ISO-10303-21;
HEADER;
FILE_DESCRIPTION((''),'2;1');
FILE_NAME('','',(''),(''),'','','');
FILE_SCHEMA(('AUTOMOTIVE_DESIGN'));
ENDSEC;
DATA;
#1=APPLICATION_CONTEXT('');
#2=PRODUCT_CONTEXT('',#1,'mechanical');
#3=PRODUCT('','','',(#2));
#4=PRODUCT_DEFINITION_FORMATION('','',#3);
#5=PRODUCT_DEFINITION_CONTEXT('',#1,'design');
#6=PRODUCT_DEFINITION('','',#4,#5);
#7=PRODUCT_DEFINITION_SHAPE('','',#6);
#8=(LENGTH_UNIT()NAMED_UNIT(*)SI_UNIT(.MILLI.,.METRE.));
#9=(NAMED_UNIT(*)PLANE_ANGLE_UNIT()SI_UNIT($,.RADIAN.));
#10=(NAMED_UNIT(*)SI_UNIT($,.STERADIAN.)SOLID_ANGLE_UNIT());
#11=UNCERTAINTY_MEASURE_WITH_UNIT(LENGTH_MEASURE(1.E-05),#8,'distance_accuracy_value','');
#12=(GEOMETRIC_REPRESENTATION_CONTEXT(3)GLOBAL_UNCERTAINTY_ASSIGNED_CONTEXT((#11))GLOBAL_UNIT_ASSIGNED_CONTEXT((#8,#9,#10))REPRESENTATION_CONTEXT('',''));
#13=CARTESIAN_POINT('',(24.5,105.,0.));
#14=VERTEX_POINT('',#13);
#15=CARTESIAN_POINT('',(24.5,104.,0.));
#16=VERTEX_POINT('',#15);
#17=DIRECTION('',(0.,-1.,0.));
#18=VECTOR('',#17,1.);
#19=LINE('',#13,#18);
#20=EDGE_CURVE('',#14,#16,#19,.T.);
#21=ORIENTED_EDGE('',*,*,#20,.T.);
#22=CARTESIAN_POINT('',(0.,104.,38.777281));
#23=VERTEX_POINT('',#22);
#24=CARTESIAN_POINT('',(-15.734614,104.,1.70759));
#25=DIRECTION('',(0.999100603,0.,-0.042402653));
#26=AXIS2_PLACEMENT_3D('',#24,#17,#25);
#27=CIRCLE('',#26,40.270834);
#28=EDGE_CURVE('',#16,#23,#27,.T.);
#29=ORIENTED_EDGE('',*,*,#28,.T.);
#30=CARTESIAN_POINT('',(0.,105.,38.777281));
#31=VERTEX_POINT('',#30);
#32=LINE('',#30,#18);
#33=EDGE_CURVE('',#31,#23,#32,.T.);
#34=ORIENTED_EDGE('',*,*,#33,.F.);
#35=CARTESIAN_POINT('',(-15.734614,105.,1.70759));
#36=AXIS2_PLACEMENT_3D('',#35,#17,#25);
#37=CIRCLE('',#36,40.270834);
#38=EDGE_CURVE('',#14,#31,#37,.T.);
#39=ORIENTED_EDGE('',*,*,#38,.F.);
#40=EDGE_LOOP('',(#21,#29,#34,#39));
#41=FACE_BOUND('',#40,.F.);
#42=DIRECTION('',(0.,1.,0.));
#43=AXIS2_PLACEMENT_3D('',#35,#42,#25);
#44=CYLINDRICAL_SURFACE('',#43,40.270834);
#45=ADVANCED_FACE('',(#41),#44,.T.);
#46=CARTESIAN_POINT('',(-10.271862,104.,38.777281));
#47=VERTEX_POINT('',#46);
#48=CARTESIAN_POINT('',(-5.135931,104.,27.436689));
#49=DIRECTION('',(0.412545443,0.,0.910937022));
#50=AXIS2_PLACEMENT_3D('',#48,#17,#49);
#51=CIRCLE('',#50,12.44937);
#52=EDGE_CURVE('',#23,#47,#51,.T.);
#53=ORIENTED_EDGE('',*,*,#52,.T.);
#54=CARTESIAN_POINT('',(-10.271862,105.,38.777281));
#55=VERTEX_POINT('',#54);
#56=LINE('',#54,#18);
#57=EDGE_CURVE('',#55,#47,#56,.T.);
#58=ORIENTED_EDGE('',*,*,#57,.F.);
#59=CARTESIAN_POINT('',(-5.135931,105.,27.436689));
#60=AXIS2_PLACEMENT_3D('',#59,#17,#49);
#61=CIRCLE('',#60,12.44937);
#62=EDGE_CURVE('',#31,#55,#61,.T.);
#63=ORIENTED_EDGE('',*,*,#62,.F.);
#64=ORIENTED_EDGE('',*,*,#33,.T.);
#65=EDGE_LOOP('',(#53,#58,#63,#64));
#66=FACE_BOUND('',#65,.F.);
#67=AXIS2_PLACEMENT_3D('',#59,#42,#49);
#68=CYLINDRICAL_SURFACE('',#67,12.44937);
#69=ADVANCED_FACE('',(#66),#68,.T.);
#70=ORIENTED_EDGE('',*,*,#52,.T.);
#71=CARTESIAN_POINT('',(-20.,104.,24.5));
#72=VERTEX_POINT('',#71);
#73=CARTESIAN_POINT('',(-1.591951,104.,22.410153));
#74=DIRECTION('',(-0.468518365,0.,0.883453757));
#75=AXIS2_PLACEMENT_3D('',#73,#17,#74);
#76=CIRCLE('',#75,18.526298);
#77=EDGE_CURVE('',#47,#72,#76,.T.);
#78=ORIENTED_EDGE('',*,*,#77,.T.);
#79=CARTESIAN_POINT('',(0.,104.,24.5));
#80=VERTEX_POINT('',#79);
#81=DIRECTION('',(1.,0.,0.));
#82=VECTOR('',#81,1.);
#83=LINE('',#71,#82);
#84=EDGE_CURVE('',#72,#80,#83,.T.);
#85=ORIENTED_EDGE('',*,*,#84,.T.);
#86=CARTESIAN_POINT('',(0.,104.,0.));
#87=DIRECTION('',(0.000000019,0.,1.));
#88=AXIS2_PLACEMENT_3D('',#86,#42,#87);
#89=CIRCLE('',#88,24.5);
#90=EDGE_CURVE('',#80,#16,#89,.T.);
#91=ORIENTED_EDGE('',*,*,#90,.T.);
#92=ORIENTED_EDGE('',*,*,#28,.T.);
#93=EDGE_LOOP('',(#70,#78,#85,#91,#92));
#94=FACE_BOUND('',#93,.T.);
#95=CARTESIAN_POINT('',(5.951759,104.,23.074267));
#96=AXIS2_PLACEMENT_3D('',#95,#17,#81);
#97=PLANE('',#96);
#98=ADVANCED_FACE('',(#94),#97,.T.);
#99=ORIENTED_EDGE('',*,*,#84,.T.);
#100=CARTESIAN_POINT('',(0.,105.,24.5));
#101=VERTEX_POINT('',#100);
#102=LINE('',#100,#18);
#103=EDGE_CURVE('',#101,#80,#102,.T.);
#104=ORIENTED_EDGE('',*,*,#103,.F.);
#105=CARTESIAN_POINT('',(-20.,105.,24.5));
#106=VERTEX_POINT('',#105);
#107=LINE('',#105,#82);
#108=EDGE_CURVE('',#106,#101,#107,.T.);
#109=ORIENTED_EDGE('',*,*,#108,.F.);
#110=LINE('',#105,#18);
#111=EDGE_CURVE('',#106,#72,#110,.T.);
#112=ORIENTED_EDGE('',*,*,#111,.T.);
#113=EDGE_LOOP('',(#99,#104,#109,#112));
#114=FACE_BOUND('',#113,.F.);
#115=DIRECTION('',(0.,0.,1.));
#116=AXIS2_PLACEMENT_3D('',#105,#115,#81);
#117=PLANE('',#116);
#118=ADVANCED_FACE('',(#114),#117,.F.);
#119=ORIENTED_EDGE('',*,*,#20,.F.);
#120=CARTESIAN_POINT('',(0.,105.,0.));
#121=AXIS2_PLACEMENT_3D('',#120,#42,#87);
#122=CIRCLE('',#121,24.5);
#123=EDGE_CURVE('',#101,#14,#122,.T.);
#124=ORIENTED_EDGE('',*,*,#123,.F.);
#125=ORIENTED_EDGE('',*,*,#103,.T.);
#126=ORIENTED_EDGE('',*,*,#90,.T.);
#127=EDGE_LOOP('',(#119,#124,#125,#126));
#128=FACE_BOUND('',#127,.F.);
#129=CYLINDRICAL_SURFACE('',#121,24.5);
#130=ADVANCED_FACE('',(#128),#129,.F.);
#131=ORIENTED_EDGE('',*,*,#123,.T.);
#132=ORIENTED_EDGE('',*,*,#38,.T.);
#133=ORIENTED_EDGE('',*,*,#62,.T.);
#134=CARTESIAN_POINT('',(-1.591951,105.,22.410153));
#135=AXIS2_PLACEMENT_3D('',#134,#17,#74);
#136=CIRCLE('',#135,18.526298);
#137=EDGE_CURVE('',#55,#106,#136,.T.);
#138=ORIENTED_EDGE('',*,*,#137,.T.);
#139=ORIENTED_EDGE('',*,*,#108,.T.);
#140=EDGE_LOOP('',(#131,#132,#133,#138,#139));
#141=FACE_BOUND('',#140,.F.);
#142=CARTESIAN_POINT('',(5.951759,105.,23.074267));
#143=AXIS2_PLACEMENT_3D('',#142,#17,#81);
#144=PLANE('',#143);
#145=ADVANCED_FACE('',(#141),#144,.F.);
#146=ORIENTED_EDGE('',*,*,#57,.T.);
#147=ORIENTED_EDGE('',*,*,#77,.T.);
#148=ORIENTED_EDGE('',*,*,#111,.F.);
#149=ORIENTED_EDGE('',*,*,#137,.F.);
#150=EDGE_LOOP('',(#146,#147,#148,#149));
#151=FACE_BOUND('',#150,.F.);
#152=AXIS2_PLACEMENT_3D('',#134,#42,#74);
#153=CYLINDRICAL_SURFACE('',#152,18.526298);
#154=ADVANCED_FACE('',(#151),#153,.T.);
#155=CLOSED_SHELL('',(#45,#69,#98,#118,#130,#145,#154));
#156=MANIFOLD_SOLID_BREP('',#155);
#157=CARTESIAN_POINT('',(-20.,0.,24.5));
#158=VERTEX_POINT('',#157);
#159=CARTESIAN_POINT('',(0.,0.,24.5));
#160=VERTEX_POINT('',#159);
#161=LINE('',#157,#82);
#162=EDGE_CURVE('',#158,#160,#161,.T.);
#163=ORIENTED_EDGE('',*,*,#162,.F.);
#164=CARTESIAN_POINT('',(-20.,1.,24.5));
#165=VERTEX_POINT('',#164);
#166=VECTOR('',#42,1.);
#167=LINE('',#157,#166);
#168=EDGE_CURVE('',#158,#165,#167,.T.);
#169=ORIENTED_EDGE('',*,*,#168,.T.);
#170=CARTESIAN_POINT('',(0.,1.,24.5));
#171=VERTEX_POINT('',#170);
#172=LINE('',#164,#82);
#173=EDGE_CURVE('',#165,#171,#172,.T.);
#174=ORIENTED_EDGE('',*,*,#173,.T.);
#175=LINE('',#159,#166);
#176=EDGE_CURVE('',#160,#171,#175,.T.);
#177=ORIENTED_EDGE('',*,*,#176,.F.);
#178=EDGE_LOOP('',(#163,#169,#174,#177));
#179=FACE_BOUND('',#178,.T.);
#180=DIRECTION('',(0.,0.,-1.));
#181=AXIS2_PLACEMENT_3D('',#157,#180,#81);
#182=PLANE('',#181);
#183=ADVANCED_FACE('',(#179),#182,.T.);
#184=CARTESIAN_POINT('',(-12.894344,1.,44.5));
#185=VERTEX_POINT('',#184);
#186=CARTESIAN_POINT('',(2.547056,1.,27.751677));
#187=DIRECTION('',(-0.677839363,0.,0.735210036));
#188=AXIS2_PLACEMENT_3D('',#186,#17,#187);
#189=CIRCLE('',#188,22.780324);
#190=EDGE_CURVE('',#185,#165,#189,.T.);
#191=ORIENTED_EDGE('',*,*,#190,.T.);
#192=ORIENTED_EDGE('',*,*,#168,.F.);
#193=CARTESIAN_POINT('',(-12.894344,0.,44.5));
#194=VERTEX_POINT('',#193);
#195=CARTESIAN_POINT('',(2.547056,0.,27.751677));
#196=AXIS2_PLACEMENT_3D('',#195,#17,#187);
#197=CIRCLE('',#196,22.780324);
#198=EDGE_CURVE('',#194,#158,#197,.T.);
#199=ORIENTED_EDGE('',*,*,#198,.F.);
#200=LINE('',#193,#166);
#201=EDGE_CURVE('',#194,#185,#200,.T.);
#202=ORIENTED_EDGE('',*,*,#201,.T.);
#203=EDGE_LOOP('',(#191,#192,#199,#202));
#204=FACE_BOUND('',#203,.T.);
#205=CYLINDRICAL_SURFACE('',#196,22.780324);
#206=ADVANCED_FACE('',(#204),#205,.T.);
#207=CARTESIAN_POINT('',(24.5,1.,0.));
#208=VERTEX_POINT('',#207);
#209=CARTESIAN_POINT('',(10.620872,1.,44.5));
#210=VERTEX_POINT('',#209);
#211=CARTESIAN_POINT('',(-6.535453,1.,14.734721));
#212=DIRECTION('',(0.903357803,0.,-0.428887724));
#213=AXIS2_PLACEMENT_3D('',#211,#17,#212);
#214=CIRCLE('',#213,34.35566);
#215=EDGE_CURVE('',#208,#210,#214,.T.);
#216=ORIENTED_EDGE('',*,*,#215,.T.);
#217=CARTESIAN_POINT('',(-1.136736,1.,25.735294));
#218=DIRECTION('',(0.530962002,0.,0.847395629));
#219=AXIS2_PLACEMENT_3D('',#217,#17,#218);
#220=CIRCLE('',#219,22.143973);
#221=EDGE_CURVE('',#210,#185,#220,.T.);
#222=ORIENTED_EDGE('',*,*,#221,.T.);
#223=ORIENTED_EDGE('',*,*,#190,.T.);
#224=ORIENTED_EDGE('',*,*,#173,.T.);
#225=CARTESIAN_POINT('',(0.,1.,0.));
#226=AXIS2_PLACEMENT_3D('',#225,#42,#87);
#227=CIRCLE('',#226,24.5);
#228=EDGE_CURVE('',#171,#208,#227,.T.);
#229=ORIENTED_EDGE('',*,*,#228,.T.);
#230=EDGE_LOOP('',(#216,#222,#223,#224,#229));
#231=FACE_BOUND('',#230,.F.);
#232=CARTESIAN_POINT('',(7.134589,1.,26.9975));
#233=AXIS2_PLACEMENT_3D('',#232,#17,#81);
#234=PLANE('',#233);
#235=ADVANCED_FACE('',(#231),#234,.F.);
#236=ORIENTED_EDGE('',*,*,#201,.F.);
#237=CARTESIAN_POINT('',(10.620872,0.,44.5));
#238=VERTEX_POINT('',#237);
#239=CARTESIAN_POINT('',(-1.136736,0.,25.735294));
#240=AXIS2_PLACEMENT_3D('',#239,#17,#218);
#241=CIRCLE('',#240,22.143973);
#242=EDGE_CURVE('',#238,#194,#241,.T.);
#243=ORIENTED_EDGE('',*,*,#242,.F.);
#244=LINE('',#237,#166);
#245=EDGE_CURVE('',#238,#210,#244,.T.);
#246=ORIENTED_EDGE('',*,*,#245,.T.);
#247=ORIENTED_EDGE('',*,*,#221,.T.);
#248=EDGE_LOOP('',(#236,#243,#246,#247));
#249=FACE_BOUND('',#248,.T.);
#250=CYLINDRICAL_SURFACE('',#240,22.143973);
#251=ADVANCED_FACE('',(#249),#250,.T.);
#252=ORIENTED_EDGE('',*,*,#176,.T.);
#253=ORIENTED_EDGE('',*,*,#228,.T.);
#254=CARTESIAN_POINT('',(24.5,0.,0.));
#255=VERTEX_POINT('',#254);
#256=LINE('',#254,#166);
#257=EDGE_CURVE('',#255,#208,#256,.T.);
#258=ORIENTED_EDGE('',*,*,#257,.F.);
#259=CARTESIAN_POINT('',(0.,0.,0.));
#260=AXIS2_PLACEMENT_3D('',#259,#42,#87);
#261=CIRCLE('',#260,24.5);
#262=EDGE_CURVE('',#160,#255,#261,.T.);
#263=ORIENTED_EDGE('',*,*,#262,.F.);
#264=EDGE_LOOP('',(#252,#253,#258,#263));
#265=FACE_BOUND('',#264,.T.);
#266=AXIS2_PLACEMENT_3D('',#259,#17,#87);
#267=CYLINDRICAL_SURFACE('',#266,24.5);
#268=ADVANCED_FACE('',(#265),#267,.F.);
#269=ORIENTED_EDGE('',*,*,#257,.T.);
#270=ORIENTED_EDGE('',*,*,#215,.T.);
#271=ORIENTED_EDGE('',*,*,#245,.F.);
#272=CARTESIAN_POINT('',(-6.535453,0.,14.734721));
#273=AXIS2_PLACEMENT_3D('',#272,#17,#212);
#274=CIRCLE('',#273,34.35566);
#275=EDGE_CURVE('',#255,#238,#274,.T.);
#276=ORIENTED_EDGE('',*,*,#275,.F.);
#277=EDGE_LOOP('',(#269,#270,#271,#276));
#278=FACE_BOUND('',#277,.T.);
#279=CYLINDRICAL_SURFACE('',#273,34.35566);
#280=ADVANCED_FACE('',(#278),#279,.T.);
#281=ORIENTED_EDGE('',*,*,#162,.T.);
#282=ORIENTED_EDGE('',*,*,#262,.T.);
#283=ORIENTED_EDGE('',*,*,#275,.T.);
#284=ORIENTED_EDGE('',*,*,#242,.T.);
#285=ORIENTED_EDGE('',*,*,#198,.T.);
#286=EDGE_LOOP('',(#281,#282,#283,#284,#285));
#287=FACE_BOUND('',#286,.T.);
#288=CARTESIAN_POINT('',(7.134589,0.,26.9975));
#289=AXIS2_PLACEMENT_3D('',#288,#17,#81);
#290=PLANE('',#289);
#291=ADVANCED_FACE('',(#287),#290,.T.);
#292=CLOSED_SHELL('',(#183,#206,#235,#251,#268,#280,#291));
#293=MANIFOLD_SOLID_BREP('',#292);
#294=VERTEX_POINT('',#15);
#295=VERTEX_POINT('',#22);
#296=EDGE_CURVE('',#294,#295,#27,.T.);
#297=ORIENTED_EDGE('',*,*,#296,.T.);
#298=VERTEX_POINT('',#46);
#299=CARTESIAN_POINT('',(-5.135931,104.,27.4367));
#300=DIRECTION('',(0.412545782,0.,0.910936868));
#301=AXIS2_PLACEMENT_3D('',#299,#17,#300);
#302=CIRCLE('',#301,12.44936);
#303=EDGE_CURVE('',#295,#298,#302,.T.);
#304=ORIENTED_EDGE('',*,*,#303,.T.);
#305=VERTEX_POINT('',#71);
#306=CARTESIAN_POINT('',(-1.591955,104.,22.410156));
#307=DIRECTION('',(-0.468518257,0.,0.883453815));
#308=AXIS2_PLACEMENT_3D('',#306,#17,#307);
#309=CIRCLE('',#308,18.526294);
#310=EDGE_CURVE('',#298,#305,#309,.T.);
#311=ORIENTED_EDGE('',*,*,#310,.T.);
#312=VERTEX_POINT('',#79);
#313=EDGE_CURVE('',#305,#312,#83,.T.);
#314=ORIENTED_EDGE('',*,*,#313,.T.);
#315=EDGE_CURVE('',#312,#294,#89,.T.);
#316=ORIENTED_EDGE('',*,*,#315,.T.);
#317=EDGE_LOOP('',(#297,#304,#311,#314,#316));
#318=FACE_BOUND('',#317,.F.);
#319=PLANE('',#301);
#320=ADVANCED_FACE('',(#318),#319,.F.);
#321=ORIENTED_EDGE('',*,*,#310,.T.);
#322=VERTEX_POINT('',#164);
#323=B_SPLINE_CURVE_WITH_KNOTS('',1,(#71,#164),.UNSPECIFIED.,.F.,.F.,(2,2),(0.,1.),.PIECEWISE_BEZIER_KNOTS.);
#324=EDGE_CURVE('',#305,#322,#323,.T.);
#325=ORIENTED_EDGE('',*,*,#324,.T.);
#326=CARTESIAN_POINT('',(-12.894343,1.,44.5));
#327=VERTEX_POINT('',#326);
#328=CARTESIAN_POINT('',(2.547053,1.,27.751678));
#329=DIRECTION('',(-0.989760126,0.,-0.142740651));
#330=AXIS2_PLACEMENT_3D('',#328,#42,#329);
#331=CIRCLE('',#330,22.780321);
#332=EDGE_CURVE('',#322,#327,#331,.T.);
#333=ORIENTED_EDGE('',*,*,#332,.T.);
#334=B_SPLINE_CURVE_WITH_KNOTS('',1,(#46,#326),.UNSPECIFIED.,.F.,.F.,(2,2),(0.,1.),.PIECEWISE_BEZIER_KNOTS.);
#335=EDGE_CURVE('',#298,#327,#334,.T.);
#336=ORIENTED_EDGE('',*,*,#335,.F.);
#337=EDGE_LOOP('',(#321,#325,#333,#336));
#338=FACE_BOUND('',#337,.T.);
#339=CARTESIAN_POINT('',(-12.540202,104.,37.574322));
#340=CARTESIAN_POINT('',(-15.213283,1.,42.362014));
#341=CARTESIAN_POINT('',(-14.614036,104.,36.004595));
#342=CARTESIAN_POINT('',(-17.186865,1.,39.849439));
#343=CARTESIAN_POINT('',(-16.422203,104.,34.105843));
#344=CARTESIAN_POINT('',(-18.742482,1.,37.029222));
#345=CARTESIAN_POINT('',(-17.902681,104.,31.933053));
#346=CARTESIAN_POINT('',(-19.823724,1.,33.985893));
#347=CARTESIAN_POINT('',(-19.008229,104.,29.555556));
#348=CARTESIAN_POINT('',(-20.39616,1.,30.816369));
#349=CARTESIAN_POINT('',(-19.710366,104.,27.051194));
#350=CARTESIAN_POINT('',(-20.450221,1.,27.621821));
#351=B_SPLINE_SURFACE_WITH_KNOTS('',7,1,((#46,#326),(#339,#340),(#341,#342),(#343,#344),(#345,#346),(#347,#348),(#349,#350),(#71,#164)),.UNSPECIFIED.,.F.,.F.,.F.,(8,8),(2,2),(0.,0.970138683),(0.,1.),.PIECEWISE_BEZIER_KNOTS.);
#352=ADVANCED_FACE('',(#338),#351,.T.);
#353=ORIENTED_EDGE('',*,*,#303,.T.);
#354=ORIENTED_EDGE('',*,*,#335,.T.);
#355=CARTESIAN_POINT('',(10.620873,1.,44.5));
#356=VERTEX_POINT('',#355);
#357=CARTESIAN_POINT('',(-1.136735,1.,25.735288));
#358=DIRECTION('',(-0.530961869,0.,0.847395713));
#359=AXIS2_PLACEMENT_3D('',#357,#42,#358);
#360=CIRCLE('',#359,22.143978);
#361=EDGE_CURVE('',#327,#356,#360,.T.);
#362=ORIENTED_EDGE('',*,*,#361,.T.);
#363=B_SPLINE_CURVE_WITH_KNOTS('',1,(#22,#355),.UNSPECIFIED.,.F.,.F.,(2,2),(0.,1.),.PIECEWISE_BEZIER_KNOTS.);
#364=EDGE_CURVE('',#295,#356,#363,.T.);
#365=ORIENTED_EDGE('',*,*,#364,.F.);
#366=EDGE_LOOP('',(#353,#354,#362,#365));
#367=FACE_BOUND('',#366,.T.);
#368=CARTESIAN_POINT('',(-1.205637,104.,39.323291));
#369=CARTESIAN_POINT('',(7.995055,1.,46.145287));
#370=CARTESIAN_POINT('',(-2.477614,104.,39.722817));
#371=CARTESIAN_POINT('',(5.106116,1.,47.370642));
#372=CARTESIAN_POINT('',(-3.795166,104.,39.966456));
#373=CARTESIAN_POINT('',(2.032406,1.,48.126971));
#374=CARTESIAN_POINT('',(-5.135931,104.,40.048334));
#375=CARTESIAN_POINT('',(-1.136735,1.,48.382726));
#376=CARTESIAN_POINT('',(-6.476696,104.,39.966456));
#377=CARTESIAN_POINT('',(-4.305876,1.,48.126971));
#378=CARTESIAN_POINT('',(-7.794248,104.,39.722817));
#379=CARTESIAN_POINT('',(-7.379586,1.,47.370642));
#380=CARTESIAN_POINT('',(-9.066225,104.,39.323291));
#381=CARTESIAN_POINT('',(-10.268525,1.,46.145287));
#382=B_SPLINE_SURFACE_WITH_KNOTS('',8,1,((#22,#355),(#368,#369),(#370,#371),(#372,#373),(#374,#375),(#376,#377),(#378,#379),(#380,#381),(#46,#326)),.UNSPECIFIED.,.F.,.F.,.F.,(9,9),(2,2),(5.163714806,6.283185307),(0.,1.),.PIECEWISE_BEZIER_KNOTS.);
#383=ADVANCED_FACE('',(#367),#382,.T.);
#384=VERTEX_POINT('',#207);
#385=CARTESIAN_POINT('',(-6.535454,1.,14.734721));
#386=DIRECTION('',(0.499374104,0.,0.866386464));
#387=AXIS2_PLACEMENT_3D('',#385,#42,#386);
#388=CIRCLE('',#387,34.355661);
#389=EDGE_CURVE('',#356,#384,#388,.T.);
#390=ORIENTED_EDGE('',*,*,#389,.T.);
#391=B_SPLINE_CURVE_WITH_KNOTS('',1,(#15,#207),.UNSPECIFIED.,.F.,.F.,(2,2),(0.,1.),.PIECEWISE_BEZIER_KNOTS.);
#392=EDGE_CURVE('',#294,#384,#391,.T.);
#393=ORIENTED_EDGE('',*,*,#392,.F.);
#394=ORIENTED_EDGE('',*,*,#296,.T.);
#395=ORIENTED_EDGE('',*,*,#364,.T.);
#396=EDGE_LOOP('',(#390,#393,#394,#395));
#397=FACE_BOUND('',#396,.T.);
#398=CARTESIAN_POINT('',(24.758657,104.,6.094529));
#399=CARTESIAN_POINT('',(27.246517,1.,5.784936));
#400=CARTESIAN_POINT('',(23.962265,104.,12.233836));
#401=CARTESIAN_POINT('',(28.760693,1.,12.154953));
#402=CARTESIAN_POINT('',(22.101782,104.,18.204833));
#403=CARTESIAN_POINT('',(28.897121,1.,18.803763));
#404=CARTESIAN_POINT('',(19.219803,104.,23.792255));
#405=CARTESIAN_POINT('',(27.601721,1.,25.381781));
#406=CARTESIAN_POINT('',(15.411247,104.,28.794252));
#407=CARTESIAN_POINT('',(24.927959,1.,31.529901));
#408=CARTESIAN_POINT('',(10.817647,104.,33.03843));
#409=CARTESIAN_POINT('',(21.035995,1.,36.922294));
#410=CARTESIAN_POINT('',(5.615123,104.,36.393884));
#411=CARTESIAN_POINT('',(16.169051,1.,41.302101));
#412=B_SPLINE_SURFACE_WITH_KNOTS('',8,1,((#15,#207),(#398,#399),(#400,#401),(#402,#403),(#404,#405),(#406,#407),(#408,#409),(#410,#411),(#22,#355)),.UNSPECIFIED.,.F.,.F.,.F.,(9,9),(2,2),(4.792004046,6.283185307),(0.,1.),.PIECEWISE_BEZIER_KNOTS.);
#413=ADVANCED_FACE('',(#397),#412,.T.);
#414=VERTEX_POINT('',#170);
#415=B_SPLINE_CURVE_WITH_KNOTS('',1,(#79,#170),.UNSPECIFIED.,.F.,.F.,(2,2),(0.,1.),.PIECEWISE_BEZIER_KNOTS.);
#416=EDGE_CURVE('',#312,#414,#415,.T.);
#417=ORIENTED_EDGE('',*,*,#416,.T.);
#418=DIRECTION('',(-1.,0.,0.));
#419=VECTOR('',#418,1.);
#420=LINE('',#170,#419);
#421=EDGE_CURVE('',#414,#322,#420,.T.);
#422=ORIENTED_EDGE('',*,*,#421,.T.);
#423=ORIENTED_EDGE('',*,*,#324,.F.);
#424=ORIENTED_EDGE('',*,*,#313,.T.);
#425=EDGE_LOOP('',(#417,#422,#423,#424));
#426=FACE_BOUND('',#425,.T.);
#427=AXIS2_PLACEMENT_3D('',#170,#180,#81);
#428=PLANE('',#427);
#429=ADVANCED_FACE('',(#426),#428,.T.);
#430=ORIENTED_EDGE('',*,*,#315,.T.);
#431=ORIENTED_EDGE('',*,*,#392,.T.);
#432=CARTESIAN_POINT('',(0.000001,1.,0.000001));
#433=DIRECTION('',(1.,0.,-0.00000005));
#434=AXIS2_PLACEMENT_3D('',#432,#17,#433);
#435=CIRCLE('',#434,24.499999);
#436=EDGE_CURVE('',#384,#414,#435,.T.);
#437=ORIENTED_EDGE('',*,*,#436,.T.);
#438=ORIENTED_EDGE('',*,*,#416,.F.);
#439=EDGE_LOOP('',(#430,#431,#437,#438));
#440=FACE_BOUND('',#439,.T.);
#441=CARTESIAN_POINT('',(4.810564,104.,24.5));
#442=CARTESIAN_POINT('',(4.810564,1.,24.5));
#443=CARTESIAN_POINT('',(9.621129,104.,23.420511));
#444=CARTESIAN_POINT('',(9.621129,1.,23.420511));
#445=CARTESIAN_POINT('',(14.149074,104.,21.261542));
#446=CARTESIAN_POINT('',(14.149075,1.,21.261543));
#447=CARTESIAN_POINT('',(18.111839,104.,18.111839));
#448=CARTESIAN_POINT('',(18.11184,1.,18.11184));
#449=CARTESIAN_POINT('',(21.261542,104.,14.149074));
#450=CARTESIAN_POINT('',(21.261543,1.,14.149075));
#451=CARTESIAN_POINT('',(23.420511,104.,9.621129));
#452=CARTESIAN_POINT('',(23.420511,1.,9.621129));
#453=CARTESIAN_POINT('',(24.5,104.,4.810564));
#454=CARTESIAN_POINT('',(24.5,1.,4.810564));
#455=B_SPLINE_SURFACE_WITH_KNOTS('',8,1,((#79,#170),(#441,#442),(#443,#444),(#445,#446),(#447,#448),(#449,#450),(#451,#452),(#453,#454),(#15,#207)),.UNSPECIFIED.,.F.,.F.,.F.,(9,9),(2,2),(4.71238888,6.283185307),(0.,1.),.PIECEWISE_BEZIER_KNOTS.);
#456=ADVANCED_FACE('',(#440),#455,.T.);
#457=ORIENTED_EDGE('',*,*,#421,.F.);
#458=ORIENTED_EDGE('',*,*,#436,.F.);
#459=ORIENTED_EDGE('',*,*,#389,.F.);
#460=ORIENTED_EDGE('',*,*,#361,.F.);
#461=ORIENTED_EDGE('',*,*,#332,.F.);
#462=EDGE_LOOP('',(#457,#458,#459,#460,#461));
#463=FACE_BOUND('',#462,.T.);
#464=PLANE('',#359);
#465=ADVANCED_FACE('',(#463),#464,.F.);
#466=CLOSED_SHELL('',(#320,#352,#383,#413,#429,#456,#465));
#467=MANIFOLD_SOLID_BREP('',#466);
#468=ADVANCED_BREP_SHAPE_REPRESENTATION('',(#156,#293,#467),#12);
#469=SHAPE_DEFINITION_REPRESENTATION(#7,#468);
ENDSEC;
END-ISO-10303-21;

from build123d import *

# Parameters (mm, degrees)
F3_DEPTH = 1
F4_DEPTH = 1


with BuildPart() as f3:
    # F0 (on Front) → F3 (new body)
    with BuildSketch(Plane.XZ):
        with BuildLine():
            ThreePointArc((0, 24.5), (17.324116, 17.324116), (24.5, 0))
            ThreePointArc((24.5, 0), (26.262022, 24.963942), (10.620872, 44.5))
            ThreePointArc((10.620872, 44.5), (-1.136736, 47.879267), (-12.894344, 44.5))
            ThreePointArc((-12.894344, 44.5), (-18.918747, 35.378108), (-20, 24.5))
            Line((-20, 24.5), (-12.894344, 24.5))
            Line((-12.894344, 24.5), (0, 24.5))
        make_face()
    extrude(amount=-F3_DEPTH)


with BuildPart() as f4:
    # F2 (on offset) → F4 (new body)
    with BuildSketch(Plane.XZ.offset(-105)):
        with BuildLine():
            Line((-20, 24.5), (0, 24.5))
            ThreePointArc((0, 24.5), (17.324116, 17.324116), (24.5, 0))
            ThreePointArc((24.5, 0), (18.310327, 23.217635), (0, 38.777281))
            ThreePointArc((0, 38.777281), (-5.135931, 39.886059), (-10.271862, 38.777281))
            ThreePointArc((-10.271862, 38.777281), (-16.902065, 32.842034), (-20, 24.5))
        make_face()
    extrude(amount=F4_DEPTH)


with BuildPart() as f5:
    # F4_face (on face) → F5 section 0
    with BuildSketch(Plane(origin=(0.282722, 104, 28.774045), x_dir=(1, 0, 0), z_dir=(0, -1, 0))):
        with BuildLine():
            ThreePointArc((-0.282722, 10.003236), (-5.418653, 11.112015), (-10.554584, 10.003236))
            ThreePointArc((-10.554584, 10.003236), (-17.184787, 4.06799), (-20.282722, -4.274045))
            Line((-20.282722, -4.274045), (-0.282722, -4.274045))
            ThreePointArc((-0.282722, -4.274045), (17.041394, -11.449929), (24.217278, -28.774045))
            ThreePointArc((24.217278, -28.774045), (18.027605, -5.55641), (-0.282722, 10.003236))
        make_face()
    # F3_face (on face) → F5 section 1
    with BuildSketch(Plane(origin=(4.895741, 1, 31.20711), x_dir=(1, 0, 0), z_dir=(0, 1, 0))):
        with BuildLine():
            ThreePointArc((19.604259, 31.20711), (12.428376, 13.882994), (-4.895741, 6.70711))
            Line((-4.895741, 6.70711), (-24.895741, 6.70711))
            ThreePointArc((-24.895741, 6.70711), (-23.814488, -4.170998), (-17.790084, -13.29289))
            ThreePointArc((-17.790084, -13.29289), (-6.032476, -16.672156), (5.725132, -13.29289))
            ThreePointArc((5.725132, -13.29289), (21.366281, 6.243168), (19.604259, 31.20711))
        make_face()
    loft()


solid = Compound([f3.part, f4.part, f5.part])
